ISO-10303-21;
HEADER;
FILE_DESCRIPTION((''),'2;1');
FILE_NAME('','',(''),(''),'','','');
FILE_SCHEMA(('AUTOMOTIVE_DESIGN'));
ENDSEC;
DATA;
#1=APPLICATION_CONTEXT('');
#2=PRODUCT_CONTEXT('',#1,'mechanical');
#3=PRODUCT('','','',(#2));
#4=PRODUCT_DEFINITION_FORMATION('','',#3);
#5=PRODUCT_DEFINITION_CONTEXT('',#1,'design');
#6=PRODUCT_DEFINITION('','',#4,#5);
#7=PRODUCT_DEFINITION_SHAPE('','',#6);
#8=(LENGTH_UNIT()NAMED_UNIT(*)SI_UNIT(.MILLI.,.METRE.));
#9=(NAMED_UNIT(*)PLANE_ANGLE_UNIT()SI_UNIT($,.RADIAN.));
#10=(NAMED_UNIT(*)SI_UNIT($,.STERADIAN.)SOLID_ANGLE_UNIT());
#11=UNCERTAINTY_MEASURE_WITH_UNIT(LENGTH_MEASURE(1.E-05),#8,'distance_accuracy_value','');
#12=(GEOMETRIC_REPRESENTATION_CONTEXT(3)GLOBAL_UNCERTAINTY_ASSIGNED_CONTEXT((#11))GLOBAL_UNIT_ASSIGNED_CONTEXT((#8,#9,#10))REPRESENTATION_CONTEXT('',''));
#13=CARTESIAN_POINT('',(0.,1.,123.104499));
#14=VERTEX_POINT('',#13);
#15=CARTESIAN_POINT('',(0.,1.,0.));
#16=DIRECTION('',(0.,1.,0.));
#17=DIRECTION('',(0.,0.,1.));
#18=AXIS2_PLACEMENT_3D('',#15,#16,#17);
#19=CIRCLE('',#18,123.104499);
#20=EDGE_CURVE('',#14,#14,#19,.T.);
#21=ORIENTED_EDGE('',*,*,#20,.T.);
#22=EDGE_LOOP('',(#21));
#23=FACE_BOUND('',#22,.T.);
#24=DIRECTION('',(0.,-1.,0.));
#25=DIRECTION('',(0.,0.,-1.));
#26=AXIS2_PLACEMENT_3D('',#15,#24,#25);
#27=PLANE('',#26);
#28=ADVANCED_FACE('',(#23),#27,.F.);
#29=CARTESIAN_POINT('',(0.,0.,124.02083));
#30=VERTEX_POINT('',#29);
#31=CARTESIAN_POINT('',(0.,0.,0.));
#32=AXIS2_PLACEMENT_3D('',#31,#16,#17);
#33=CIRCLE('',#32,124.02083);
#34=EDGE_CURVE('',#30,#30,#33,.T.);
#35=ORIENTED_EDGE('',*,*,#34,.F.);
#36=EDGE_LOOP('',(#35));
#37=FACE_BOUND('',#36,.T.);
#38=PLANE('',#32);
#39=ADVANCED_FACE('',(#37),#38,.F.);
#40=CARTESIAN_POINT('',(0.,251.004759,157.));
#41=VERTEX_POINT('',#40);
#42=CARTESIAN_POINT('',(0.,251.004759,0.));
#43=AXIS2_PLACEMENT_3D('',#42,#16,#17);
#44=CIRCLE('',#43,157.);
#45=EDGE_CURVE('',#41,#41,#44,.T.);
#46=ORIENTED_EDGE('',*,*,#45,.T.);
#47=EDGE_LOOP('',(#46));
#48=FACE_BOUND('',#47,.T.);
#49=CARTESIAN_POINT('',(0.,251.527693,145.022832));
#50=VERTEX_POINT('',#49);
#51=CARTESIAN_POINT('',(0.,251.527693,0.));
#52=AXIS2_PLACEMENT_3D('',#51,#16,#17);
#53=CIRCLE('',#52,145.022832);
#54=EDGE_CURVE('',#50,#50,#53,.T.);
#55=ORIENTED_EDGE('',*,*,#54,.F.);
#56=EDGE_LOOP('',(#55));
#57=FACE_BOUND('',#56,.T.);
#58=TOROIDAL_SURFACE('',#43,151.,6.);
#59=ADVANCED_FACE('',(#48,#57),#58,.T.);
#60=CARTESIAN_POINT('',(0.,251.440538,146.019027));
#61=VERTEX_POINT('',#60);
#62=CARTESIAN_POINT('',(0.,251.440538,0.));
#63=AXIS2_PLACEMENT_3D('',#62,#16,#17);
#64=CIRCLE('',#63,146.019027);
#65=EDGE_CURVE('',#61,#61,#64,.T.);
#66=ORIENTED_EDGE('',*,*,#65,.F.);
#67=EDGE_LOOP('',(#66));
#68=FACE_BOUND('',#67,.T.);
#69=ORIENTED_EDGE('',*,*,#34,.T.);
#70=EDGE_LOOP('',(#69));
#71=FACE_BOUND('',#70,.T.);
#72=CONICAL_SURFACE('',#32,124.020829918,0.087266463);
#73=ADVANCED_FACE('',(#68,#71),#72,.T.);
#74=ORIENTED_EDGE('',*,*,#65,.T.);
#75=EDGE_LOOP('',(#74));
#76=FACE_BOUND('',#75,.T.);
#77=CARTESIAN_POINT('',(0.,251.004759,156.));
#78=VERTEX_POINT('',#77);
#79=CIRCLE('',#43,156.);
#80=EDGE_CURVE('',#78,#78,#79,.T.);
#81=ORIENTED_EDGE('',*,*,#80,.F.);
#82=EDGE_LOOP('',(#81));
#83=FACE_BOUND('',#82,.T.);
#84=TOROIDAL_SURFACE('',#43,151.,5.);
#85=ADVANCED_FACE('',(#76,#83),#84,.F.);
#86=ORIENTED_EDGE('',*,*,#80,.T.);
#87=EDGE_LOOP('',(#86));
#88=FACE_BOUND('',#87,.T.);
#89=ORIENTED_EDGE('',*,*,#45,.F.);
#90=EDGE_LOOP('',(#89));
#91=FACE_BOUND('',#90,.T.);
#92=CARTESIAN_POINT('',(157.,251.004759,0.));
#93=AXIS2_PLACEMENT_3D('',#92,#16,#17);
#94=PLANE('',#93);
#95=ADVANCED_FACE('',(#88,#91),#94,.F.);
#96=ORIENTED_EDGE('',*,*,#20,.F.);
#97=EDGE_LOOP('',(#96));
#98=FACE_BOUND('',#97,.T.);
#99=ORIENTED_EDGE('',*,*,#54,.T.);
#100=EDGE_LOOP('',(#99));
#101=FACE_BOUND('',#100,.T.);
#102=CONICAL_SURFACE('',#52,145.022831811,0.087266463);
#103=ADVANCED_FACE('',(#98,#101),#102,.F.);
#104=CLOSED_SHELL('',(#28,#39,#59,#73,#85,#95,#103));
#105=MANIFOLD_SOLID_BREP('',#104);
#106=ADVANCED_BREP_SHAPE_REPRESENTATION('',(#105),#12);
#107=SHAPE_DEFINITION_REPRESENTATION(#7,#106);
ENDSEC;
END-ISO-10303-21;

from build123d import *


with BuildPart() as part:
    # ｽｹｯﾁ1 → 回転1 (revolve)
    with BuildSketch(Plane.XY, mode=Mode.PRIVATE) as revolve_1_sk:
        with BuildLine():
            Line((0, 0), (124.020829918, 0))
            Line((124.020829918, 0), (146.01902651, 251.440537606))
            ThreePointArc((146.01902651, 251.440537606), (151.218096937, 256), (156, 251.004758892))
            Line((156, 251.004758892), (157, 251.004758892))
            ThreePointArc((157, 251.004758892), (151.261716324, 256.999048222), (145.022831811, 251.527693349))
            Line((145.022831811, 251.527693349), (123.104498744, 1))
            Line((123.104498744, 1), (0, 1))
            Line((0, 1), (0, 0))
        make_face()
    revolve(revolve_1_sk.sketch.rotate(Axis((0, 1, 0), (0, -1, 0)), 90), axis=Axis((0, 1, 0), (0, -1, 0)))


solid = part.part
